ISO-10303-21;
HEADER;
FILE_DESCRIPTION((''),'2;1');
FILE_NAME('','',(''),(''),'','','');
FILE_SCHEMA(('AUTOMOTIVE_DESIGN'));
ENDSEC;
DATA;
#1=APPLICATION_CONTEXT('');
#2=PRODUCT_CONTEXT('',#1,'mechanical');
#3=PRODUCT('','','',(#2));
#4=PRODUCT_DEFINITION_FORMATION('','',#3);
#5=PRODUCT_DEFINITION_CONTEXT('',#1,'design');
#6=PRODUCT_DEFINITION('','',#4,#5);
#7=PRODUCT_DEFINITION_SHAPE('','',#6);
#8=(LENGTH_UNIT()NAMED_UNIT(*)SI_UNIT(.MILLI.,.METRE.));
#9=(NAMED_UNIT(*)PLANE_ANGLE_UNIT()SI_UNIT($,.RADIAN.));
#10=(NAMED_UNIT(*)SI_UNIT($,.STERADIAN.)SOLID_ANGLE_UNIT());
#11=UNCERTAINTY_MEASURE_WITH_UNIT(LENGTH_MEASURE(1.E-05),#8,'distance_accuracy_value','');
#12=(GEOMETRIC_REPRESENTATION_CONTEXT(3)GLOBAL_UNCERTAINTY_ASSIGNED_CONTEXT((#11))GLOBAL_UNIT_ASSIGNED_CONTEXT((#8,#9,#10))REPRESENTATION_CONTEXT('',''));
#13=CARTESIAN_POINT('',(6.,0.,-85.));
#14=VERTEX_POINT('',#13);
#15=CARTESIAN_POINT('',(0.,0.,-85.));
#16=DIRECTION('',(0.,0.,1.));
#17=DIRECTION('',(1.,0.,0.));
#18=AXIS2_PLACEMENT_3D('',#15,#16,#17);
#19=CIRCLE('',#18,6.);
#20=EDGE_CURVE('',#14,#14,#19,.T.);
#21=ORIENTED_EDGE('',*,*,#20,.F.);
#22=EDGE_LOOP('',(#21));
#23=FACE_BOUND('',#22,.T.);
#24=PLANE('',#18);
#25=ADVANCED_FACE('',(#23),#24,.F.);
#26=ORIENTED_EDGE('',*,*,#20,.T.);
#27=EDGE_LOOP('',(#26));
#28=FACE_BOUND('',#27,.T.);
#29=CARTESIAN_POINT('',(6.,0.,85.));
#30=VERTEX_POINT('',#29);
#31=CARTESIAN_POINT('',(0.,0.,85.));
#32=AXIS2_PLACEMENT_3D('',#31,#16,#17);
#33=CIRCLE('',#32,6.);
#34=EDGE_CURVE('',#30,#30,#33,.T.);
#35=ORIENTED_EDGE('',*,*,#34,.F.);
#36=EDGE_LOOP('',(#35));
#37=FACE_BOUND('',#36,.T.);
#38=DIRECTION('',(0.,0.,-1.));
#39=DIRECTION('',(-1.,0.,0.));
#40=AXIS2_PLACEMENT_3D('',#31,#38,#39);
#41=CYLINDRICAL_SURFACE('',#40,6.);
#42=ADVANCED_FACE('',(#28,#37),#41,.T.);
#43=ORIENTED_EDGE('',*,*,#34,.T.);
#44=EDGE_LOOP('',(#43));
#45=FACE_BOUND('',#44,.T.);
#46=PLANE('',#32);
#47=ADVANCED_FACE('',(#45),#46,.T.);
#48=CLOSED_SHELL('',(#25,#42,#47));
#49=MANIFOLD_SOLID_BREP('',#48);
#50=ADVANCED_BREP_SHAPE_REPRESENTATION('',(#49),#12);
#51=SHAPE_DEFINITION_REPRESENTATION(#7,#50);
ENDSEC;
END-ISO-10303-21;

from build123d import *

# Parameters (mm, degrees)
SKETCH1_R           = 6
BOSS_EXTRUDE1_DEPTH = 85


with BuildPart() as part:
    # Sketch1 → Boss-Extrude1 (new body, symmetric)
    with BuildSketch(Plane.XY):
        Circle(SKETCH1_R)
    extrude(amount=BOSS_EXTRUDE1_DEPTH, both=True)


solid = part.part
